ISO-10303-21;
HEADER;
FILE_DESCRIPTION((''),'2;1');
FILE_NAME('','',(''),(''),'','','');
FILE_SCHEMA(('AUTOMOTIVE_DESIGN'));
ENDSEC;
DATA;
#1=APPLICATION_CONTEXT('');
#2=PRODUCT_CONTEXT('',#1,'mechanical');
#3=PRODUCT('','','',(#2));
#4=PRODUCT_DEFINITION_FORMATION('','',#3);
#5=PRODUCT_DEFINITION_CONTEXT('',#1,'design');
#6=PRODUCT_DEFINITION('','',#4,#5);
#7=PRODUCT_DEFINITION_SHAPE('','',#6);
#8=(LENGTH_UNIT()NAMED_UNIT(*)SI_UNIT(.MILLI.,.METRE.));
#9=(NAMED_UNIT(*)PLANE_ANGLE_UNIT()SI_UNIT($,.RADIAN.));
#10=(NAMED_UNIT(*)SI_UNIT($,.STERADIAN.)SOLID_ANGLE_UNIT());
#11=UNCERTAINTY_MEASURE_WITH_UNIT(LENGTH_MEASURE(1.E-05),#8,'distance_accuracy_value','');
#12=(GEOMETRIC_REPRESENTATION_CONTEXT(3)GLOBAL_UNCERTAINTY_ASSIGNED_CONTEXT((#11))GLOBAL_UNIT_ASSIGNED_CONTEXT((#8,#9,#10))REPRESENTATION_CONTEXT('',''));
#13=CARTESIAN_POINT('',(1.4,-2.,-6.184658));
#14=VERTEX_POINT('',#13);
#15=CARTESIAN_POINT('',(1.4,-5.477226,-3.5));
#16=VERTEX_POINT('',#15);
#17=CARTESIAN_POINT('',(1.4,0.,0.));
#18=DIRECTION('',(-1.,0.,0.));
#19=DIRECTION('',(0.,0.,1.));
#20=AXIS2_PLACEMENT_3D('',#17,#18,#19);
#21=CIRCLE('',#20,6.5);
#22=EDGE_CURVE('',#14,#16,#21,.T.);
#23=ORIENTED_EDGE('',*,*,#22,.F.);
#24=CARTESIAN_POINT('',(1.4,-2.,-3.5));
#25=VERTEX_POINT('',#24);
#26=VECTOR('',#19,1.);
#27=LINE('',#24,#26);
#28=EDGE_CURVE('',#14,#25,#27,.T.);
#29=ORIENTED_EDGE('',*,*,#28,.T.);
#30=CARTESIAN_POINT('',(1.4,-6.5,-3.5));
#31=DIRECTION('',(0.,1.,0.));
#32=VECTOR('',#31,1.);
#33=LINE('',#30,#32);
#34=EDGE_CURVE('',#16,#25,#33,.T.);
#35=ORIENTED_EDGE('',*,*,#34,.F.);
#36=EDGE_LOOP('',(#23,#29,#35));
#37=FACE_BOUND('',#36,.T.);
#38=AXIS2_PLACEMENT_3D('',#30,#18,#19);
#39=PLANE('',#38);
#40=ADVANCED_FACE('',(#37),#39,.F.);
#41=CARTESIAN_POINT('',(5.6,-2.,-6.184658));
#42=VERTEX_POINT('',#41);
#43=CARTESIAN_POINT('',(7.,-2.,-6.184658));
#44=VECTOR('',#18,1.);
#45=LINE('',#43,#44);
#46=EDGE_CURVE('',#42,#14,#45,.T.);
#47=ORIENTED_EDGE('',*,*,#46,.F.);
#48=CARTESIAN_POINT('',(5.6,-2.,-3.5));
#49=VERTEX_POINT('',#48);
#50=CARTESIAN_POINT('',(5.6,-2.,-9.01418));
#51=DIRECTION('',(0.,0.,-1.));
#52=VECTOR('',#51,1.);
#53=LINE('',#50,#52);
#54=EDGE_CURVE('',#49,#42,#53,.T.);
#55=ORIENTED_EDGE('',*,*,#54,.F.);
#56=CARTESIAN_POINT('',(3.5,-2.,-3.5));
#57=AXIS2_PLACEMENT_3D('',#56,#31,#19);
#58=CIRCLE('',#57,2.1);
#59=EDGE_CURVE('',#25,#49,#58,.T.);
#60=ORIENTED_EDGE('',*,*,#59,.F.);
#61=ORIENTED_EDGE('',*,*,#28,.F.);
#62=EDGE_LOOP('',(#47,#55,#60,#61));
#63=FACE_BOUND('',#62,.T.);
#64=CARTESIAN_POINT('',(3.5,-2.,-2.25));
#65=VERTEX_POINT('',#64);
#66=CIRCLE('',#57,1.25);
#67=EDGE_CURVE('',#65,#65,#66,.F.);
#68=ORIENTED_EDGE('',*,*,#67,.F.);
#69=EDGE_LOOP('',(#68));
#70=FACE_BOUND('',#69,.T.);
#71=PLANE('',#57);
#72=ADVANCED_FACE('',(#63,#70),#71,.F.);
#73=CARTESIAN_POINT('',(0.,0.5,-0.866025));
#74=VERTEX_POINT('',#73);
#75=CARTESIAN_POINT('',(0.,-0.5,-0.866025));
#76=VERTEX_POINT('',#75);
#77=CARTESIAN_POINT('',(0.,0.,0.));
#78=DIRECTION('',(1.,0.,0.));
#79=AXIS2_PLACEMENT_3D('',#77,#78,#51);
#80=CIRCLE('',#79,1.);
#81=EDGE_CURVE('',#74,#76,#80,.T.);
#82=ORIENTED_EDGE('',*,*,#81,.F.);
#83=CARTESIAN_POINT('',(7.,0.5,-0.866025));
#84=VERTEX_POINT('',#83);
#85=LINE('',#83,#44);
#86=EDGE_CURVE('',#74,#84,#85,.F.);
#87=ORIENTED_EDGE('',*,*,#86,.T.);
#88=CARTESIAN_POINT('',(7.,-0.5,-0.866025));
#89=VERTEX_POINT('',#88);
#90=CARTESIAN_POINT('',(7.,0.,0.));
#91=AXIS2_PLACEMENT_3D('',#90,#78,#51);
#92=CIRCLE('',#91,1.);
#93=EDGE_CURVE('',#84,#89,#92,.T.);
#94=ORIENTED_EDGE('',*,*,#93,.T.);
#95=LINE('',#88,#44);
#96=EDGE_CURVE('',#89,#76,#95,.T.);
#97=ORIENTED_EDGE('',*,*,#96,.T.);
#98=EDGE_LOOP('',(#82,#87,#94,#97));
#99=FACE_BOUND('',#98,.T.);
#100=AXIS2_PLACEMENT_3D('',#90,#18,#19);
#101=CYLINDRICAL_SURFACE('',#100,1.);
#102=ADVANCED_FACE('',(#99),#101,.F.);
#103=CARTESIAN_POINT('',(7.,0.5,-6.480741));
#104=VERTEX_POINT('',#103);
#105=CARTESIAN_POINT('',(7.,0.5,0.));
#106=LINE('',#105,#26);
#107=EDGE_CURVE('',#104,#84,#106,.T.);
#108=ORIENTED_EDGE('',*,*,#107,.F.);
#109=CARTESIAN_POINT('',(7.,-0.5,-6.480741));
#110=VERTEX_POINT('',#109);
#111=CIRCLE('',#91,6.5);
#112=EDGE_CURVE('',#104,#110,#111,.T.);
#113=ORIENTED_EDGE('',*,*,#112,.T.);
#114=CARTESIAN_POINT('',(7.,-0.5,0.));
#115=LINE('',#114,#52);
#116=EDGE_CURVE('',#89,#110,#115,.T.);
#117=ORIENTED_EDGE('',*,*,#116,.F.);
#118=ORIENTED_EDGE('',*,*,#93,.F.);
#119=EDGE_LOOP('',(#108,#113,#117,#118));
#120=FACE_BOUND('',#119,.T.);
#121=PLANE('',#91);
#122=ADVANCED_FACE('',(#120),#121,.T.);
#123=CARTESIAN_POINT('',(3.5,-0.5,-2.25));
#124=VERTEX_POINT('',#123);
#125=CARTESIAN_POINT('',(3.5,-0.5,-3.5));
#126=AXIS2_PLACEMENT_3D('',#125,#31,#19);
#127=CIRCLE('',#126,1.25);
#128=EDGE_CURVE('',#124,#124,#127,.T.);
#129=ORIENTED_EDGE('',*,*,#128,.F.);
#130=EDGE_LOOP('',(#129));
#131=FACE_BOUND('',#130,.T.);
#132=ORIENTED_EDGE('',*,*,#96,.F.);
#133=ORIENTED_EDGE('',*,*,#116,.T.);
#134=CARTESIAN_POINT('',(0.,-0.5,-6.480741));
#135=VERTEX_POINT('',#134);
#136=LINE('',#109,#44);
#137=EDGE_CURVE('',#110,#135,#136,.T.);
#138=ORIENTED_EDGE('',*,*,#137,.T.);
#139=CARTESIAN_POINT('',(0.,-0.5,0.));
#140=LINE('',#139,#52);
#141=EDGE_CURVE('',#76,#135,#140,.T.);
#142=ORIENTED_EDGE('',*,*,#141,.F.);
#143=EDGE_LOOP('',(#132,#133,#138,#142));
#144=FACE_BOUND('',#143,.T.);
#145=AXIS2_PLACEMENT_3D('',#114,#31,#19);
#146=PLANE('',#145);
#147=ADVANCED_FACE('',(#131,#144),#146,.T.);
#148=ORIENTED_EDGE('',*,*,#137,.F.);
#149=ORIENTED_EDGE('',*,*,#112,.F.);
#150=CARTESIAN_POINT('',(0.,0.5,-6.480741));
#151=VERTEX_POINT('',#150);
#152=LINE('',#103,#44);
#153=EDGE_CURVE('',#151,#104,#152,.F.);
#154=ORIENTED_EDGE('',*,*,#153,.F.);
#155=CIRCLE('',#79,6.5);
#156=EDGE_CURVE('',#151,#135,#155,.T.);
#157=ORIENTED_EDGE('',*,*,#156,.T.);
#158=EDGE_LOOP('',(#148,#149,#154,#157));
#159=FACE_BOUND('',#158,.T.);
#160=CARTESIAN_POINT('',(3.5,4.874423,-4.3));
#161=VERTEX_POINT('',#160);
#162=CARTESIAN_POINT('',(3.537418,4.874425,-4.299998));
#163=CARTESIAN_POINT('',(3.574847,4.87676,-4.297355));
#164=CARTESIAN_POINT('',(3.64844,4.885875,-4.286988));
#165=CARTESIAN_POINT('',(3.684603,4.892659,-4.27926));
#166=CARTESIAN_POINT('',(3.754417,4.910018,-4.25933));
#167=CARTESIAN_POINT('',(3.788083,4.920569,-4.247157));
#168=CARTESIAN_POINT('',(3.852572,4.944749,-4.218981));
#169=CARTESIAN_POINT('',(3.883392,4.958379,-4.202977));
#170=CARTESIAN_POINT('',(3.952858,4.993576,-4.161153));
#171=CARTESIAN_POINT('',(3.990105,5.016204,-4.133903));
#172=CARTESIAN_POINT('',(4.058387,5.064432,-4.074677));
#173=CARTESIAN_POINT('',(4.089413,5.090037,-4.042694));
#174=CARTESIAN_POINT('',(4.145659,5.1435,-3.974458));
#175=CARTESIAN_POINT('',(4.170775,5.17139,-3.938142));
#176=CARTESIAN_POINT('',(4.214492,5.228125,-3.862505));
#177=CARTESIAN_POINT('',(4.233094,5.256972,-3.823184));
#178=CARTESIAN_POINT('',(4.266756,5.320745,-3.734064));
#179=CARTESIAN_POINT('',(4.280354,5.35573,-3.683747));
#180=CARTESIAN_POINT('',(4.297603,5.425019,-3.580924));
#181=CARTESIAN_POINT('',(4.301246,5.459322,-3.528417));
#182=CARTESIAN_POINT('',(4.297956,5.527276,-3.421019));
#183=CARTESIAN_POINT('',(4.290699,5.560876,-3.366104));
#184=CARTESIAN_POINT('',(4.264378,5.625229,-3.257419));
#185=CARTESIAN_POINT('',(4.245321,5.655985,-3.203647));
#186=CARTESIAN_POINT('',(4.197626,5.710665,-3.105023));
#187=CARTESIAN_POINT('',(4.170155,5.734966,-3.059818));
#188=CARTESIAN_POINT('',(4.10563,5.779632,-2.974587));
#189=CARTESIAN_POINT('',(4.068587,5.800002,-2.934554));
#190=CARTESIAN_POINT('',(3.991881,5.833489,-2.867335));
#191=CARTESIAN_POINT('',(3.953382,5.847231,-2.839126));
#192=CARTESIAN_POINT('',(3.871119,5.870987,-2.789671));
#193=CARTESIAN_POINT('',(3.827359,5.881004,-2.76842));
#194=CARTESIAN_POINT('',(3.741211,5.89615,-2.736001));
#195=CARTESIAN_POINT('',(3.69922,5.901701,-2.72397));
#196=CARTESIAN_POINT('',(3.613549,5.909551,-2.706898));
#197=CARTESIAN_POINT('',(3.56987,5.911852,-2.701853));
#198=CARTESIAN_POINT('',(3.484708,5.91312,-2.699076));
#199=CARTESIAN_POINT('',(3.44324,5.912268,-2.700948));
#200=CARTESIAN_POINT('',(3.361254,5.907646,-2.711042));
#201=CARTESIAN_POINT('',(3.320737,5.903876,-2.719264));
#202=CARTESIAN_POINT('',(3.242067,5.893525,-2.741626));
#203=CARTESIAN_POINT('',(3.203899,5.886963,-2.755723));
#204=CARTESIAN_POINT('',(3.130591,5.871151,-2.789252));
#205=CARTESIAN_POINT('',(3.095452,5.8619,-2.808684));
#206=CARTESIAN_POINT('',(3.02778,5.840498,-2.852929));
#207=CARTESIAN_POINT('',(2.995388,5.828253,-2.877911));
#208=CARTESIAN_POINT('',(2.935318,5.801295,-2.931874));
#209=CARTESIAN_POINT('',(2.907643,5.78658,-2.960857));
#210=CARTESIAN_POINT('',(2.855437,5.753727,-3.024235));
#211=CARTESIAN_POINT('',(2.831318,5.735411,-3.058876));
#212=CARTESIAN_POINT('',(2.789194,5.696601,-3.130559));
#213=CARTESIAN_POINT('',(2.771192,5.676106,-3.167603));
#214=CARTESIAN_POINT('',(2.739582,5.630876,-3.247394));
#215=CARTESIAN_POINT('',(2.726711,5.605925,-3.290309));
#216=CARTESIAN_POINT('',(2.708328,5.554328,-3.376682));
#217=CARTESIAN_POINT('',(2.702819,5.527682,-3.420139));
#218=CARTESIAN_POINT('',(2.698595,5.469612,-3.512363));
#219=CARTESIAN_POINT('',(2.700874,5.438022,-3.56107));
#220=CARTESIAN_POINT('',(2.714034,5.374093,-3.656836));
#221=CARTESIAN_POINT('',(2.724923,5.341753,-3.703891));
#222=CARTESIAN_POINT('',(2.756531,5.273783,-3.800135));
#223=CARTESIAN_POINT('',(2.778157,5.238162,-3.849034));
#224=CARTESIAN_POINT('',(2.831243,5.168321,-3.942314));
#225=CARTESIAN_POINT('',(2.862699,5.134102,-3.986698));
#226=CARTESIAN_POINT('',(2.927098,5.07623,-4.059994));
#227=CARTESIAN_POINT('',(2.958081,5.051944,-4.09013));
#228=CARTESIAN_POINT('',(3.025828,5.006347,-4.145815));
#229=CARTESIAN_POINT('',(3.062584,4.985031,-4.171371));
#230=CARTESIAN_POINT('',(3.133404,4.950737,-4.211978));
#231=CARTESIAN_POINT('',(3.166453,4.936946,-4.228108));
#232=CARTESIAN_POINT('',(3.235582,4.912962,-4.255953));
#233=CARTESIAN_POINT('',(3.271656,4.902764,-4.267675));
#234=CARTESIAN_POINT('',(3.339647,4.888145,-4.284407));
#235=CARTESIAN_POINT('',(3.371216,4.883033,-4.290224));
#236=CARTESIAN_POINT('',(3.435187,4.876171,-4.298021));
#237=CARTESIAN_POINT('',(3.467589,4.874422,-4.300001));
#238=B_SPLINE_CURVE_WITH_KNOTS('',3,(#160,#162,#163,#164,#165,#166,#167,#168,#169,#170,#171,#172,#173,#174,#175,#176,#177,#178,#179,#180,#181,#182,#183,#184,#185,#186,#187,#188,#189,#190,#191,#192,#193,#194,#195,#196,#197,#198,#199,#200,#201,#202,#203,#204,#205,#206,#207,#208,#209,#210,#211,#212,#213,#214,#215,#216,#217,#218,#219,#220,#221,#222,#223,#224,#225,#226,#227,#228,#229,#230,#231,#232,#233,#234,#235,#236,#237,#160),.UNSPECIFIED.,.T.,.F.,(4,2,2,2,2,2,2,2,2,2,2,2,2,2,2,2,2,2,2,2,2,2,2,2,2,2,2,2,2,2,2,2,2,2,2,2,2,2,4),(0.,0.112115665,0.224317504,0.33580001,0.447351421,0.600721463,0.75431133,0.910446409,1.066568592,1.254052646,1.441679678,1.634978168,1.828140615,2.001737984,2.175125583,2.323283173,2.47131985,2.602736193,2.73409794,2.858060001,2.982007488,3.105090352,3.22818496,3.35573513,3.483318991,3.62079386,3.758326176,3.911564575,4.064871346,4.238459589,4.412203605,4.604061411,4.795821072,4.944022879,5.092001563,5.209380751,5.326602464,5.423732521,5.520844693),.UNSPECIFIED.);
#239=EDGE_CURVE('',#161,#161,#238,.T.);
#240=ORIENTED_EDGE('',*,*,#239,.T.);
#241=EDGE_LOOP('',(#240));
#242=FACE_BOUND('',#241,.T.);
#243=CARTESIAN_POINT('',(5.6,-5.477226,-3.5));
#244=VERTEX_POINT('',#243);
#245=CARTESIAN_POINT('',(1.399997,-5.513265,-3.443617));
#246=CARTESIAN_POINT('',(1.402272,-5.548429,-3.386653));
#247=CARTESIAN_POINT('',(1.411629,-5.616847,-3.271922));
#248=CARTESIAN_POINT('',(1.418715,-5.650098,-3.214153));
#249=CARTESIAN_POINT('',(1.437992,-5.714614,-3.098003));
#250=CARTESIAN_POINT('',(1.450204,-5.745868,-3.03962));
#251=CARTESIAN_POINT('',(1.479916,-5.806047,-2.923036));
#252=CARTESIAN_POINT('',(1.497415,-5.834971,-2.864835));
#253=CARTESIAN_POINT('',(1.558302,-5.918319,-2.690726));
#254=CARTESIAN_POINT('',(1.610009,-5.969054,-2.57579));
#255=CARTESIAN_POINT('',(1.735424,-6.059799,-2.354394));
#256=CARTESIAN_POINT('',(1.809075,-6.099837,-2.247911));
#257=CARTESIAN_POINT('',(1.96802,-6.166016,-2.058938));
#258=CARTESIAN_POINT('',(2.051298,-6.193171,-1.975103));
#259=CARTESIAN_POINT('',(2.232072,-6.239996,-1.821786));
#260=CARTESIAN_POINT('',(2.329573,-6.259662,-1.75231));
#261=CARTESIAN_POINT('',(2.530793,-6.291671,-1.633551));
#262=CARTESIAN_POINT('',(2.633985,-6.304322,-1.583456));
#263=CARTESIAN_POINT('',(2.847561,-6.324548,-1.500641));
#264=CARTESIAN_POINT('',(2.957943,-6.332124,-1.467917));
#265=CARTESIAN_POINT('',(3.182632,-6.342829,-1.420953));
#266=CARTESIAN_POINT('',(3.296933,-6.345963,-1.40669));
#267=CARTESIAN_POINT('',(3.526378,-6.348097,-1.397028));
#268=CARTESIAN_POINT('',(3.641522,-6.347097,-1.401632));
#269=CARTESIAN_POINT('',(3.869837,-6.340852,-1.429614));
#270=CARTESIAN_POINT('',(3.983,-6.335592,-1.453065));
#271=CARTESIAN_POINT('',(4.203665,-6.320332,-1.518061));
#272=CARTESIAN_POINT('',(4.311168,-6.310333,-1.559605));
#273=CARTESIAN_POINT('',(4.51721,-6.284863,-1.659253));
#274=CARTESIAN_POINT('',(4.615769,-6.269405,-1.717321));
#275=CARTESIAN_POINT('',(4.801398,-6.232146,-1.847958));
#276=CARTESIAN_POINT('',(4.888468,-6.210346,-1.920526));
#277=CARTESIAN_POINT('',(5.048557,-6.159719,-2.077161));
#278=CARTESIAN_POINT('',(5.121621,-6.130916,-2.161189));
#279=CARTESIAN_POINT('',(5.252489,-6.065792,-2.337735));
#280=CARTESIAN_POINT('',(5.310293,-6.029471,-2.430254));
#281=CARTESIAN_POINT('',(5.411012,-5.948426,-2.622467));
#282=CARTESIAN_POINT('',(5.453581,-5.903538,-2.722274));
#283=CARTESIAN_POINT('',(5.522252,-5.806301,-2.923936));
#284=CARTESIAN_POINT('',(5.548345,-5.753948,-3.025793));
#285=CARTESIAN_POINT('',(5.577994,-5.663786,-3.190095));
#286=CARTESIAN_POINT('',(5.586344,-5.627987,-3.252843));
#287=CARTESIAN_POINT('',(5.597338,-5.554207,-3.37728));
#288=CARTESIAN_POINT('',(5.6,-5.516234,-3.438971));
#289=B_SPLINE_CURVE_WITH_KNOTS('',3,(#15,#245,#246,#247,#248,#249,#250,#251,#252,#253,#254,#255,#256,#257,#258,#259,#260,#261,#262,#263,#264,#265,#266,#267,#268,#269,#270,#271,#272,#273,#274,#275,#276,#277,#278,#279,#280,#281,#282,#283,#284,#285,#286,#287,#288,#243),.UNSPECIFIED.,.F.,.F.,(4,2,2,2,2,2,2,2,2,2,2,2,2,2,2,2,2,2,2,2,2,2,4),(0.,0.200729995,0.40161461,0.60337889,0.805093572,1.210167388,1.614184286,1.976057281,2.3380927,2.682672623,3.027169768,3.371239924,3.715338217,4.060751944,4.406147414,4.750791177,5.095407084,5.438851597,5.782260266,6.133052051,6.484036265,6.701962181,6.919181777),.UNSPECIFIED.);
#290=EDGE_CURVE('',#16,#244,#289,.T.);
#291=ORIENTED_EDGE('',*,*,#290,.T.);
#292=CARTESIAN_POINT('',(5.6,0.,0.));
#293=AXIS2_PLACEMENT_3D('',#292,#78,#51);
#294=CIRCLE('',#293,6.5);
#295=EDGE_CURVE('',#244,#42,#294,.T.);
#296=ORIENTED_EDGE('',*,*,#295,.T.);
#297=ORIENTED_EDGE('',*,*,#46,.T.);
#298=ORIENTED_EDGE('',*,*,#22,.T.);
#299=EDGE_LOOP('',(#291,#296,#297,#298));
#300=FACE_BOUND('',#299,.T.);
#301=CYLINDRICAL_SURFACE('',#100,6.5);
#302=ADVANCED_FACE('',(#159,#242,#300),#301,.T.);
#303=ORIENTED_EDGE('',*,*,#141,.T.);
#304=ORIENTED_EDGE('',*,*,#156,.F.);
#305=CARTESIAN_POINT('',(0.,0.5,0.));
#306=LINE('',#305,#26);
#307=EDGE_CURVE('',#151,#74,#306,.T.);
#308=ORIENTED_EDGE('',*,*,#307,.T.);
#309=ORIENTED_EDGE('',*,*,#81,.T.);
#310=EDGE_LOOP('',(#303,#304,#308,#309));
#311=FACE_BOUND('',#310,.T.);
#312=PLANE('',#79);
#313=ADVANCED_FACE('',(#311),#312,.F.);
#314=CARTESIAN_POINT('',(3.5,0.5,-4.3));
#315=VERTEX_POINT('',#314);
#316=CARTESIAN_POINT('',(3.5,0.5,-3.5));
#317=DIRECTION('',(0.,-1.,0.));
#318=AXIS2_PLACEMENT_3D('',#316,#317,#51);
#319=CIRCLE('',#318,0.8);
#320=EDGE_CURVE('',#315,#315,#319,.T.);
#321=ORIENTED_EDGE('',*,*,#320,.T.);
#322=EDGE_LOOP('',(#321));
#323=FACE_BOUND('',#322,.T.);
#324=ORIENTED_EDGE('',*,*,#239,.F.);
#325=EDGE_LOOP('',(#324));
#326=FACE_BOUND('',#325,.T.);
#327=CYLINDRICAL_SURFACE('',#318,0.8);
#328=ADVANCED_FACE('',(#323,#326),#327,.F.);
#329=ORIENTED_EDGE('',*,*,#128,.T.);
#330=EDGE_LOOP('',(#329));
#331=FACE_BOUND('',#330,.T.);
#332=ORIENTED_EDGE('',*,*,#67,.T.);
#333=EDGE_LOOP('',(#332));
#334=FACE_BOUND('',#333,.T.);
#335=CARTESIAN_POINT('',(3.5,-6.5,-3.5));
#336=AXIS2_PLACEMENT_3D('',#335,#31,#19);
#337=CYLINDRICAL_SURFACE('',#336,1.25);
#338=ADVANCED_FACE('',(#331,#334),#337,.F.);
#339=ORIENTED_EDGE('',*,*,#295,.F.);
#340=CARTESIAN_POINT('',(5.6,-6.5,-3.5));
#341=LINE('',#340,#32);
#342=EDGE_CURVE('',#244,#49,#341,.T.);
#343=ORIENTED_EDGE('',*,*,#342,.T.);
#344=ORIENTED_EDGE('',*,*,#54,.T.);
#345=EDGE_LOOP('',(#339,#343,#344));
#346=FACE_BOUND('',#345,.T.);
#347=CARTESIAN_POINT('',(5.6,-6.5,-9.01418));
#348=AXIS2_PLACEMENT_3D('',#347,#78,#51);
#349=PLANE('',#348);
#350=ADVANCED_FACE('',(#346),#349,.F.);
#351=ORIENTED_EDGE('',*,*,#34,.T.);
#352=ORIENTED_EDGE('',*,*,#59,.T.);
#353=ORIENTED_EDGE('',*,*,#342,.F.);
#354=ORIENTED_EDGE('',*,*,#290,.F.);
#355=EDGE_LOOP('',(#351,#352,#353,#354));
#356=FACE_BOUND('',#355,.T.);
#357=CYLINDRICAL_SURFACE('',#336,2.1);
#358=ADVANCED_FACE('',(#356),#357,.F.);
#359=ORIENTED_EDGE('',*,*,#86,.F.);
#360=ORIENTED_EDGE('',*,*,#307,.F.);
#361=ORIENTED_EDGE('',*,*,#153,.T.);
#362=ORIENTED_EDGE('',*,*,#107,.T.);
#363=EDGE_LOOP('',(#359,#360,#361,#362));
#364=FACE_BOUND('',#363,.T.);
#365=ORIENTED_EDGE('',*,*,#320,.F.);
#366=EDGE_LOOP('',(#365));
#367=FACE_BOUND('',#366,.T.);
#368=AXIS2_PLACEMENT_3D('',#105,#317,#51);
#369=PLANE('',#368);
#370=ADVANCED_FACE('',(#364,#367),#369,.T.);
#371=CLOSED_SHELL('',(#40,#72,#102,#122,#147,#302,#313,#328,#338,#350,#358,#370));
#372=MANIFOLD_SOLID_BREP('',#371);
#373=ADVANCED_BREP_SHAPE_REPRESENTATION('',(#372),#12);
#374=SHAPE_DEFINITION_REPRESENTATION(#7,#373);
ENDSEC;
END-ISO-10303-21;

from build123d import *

# Parameters (mm, degrees)
SKETCH1_R           = 6.5
SKETCH1_R_2         = 1
BOSS_EXTRUDE1_DEPTH = 7
SKETCH2_W           = 6.525565823
SKETCH2_H           = 1
CUT_EXTRUDE2_DEPTH  = 12.554220008
SKETCH3_R           = 1.25
CUT_EXTRUDE3_DEPTH  = 12.554220008
CUT_EXTRUDE5_START  = -2
CUT_EXTRUDE5_DEPTH  = 10.554220181
M2_TAPPED_HOLE2_D   = 1.6


with BuildPart() as part:
    # Sketch1 → Boss-Extrude1 (new body)
    with BuildSketch(Plane(origin=(0, 0, 0), x_dir=(0, 0, -1), z_dir=(1, 0, 0))):
        Circle(SKETCH1_R)
        Circle(SKETCH1_R_2, mode=Mode.SUBTRACT)
    extrude(amount=BOSS_EXTRUDE1_DEPTH)

    # Sketch2 → Cut-Extrude2 (cut, through all)
    with BuildSketch(Plane(origin=(0, 0, 0), x_dir=(0, 0, -1), z_dir=(1, 0, 0))):
        with Locations((3.262782911, 0)):
            Rectangle(SKETCH2_W, SKETCH2_H)
    extrude(amount=CUT_EXTRUDE2_DEPTH, mode=Mode.SUBTRACT)

    # Sketch3 → Cut-Extrude3 (cut, through all)
    with BuildSketch(Plane(origin=(0, 0, 0), x_dir=(1, 0, 0), z_dir=(0, 1, 0))):
        with Locations(Location((3.5, 3.5, 0), (0, 0, 270))):
            Circle(SKETCH3_R)
    extrude(amount=-CUT_EXTRUDE3_DEPTH, mode=Mode.SUBTRACT)

    # Sketch4 → Cut-Extrude5 (cut, through all)
    with BuildSketch(Plane(origin=(0, 0, 0), x_dir=(1, 0, 0), z_dir=(0, 1, 0)).offset(CUT_EXTRUDE5_START)):
        with BuildLine():
            Line((1.4, 3.5), (1.4, 9.014179598))
            Line((1.4, 9.014179598), (5.6, 9.014179598))
            Line((5.6, 9.014179598), (5.6, 3.5))
            ThreePointArc((5.6, 3.5), (3.5, 1.4), (1.4, 3.5))
        make_face()
    extrude(amount=-CUT_EXTRUDE5_DEPTH, mode=Mode.SUBTRACT)

    # M2 Tapped Hole2 (through all)
    with Locations(Plane(origin=(0, 0.5, 0), x_dir=(-1, 0, 0), z_dir=(0, -1, 0))):
        with Locations((-3.5, 3.5)):
            Hole(M2_TAPPED_HOLE2_D / 2)


solid = part.part
